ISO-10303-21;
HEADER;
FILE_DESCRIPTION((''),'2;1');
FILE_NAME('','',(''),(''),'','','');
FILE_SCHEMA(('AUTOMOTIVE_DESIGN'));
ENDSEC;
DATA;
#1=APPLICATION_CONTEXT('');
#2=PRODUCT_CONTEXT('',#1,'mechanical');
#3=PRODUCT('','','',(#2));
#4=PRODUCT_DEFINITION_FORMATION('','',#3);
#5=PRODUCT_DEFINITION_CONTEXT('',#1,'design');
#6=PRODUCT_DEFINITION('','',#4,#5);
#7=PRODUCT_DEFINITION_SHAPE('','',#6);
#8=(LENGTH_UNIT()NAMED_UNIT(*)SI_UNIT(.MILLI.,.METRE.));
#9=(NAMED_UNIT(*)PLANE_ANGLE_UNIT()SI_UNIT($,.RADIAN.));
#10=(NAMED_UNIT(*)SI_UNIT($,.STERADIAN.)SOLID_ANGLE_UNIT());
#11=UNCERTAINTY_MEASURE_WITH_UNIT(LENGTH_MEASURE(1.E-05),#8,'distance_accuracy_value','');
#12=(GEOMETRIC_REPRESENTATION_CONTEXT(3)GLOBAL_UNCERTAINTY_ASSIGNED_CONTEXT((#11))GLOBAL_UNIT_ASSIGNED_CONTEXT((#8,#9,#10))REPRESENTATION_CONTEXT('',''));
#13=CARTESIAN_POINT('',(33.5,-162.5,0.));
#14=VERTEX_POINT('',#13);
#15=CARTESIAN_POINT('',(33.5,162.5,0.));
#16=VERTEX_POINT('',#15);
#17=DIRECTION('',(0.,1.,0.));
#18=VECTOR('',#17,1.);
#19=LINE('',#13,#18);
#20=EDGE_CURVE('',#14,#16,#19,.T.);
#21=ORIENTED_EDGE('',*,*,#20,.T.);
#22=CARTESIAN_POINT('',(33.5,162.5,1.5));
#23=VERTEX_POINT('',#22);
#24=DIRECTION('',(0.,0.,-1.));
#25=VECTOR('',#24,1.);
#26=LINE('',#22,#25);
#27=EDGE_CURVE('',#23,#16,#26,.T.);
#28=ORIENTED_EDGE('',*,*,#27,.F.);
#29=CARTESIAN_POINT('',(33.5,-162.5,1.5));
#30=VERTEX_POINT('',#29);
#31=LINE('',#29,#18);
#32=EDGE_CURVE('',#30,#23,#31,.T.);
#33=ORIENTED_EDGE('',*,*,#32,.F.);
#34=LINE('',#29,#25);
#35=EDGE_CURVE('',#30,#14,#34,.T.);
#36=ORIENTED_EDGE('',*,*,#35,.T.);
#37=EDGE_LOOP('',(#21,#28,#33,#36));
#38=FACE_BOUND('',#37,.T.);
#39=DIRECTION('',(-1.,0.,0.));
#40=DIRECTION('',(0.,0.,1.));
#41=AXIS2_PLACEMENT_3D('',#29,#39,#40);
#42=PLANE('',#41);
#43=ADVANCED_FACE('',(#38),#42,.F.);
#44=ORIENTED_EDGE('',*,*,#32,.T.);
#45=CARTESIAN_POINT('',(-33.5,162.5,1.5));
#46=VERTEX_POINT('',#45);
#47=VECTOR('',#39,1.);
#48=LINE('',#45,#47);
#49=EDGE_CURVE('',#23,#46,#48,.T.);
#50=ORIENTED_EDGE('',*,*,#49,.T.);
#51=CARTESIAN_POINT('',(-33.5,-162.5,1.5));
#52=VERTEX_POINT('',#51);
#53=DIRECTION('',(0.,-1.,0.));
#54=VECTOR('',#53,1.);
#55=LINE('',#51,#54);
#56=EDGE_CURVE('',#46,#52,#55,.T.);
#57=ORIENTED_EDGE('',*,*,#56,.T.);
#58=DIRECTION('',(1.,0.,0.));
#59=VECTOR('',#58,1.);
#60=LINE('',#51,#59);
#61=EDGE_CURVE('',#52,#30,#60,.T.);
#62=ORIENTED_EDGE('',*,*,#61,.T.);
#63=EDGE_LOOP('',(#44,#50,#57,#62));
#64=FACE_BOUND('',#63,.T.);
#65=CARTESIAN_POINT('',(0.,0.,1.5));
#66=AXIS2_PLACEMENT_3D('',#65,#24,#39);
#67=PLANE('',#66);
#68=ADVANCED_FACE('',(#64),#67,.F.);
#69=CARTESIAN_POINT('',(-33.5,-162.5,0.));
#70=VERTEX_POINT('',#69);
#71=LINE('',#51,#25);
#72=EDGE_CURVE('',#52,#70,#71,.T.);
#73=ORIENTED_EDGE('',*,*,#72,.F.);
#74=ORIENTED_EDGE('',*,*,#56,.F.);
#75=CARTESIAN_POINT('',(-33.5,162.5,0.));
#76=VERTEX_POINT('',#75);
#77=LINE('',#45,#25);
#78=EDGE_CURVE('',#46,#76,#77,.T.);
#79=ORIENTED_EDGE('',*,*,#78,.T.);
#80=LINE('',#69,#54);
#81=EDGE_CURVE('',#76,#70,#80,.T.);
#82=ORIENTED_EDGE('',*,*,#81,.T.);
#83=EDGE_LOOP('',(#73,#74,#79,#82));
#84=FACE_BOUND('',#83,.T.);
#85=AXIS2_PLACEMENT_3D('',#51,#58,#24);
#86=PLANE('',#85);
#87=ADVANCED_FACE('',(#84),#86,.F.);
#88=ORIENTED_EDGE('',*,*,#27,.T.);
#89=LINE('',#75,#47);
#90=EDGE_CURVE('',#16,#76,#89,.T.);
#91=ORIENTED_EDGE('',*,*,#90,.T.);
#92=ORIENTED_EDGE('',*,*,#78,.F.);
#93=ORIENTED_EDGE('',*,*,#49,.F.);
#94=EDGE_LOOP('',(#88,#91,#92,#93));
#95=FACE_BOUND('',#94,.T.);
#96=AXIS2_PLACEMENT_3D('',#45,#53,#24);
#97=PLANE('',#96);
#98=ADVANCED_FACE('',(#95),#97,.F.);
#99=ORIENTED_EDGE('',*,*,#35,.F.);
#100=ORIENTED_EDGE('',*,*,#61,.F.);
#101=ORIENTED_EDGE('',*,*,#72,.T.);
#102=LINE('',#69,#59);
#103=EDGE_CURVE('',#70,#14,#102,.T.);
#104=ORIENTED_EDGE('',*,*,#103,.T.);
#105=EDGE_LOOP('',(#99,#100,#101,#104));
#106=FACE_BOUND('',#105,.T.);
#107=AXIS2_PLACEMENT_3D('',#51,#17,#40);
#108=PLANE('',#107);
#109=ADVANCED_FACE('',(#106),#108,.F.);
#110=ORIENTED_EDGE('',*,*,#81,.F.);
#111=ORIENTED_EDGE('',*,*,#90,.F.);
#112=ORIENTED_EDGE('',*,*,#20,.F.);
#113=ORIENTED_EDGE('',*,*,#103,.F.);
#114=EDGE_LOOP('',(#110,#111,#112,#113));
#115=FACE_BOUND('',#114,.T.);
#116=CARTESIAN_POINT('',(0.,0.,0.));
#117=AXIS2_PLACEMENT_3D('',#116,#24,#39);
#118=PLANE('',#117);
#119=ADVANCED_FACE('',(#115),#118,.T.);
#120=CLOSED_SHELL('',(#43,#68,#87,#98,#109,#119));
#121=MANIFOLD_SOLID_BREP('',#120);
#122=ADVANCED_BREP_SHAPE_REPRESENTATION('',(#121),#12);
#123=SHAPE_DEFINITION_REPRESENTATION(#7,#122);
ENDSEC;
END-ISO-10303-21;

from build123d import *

# Parameters (mm, degrees)
ESBO_O1_W                = 67
ESBO_O1_H                = 325
RESSALTO_EXTRUS_O1_DEPTH = 1.5


with BuildPart() as part:
    # Esboço1 → Ressalto-extrusão1 (new body)
    with BuildSketch(Plane.XY):
        Rectangle(ESBO_O1_W, ESBO_O1_H)
    extrude(amount=RESSALTO_EXTRUS_O1_DEPTH)


solid = part.part
